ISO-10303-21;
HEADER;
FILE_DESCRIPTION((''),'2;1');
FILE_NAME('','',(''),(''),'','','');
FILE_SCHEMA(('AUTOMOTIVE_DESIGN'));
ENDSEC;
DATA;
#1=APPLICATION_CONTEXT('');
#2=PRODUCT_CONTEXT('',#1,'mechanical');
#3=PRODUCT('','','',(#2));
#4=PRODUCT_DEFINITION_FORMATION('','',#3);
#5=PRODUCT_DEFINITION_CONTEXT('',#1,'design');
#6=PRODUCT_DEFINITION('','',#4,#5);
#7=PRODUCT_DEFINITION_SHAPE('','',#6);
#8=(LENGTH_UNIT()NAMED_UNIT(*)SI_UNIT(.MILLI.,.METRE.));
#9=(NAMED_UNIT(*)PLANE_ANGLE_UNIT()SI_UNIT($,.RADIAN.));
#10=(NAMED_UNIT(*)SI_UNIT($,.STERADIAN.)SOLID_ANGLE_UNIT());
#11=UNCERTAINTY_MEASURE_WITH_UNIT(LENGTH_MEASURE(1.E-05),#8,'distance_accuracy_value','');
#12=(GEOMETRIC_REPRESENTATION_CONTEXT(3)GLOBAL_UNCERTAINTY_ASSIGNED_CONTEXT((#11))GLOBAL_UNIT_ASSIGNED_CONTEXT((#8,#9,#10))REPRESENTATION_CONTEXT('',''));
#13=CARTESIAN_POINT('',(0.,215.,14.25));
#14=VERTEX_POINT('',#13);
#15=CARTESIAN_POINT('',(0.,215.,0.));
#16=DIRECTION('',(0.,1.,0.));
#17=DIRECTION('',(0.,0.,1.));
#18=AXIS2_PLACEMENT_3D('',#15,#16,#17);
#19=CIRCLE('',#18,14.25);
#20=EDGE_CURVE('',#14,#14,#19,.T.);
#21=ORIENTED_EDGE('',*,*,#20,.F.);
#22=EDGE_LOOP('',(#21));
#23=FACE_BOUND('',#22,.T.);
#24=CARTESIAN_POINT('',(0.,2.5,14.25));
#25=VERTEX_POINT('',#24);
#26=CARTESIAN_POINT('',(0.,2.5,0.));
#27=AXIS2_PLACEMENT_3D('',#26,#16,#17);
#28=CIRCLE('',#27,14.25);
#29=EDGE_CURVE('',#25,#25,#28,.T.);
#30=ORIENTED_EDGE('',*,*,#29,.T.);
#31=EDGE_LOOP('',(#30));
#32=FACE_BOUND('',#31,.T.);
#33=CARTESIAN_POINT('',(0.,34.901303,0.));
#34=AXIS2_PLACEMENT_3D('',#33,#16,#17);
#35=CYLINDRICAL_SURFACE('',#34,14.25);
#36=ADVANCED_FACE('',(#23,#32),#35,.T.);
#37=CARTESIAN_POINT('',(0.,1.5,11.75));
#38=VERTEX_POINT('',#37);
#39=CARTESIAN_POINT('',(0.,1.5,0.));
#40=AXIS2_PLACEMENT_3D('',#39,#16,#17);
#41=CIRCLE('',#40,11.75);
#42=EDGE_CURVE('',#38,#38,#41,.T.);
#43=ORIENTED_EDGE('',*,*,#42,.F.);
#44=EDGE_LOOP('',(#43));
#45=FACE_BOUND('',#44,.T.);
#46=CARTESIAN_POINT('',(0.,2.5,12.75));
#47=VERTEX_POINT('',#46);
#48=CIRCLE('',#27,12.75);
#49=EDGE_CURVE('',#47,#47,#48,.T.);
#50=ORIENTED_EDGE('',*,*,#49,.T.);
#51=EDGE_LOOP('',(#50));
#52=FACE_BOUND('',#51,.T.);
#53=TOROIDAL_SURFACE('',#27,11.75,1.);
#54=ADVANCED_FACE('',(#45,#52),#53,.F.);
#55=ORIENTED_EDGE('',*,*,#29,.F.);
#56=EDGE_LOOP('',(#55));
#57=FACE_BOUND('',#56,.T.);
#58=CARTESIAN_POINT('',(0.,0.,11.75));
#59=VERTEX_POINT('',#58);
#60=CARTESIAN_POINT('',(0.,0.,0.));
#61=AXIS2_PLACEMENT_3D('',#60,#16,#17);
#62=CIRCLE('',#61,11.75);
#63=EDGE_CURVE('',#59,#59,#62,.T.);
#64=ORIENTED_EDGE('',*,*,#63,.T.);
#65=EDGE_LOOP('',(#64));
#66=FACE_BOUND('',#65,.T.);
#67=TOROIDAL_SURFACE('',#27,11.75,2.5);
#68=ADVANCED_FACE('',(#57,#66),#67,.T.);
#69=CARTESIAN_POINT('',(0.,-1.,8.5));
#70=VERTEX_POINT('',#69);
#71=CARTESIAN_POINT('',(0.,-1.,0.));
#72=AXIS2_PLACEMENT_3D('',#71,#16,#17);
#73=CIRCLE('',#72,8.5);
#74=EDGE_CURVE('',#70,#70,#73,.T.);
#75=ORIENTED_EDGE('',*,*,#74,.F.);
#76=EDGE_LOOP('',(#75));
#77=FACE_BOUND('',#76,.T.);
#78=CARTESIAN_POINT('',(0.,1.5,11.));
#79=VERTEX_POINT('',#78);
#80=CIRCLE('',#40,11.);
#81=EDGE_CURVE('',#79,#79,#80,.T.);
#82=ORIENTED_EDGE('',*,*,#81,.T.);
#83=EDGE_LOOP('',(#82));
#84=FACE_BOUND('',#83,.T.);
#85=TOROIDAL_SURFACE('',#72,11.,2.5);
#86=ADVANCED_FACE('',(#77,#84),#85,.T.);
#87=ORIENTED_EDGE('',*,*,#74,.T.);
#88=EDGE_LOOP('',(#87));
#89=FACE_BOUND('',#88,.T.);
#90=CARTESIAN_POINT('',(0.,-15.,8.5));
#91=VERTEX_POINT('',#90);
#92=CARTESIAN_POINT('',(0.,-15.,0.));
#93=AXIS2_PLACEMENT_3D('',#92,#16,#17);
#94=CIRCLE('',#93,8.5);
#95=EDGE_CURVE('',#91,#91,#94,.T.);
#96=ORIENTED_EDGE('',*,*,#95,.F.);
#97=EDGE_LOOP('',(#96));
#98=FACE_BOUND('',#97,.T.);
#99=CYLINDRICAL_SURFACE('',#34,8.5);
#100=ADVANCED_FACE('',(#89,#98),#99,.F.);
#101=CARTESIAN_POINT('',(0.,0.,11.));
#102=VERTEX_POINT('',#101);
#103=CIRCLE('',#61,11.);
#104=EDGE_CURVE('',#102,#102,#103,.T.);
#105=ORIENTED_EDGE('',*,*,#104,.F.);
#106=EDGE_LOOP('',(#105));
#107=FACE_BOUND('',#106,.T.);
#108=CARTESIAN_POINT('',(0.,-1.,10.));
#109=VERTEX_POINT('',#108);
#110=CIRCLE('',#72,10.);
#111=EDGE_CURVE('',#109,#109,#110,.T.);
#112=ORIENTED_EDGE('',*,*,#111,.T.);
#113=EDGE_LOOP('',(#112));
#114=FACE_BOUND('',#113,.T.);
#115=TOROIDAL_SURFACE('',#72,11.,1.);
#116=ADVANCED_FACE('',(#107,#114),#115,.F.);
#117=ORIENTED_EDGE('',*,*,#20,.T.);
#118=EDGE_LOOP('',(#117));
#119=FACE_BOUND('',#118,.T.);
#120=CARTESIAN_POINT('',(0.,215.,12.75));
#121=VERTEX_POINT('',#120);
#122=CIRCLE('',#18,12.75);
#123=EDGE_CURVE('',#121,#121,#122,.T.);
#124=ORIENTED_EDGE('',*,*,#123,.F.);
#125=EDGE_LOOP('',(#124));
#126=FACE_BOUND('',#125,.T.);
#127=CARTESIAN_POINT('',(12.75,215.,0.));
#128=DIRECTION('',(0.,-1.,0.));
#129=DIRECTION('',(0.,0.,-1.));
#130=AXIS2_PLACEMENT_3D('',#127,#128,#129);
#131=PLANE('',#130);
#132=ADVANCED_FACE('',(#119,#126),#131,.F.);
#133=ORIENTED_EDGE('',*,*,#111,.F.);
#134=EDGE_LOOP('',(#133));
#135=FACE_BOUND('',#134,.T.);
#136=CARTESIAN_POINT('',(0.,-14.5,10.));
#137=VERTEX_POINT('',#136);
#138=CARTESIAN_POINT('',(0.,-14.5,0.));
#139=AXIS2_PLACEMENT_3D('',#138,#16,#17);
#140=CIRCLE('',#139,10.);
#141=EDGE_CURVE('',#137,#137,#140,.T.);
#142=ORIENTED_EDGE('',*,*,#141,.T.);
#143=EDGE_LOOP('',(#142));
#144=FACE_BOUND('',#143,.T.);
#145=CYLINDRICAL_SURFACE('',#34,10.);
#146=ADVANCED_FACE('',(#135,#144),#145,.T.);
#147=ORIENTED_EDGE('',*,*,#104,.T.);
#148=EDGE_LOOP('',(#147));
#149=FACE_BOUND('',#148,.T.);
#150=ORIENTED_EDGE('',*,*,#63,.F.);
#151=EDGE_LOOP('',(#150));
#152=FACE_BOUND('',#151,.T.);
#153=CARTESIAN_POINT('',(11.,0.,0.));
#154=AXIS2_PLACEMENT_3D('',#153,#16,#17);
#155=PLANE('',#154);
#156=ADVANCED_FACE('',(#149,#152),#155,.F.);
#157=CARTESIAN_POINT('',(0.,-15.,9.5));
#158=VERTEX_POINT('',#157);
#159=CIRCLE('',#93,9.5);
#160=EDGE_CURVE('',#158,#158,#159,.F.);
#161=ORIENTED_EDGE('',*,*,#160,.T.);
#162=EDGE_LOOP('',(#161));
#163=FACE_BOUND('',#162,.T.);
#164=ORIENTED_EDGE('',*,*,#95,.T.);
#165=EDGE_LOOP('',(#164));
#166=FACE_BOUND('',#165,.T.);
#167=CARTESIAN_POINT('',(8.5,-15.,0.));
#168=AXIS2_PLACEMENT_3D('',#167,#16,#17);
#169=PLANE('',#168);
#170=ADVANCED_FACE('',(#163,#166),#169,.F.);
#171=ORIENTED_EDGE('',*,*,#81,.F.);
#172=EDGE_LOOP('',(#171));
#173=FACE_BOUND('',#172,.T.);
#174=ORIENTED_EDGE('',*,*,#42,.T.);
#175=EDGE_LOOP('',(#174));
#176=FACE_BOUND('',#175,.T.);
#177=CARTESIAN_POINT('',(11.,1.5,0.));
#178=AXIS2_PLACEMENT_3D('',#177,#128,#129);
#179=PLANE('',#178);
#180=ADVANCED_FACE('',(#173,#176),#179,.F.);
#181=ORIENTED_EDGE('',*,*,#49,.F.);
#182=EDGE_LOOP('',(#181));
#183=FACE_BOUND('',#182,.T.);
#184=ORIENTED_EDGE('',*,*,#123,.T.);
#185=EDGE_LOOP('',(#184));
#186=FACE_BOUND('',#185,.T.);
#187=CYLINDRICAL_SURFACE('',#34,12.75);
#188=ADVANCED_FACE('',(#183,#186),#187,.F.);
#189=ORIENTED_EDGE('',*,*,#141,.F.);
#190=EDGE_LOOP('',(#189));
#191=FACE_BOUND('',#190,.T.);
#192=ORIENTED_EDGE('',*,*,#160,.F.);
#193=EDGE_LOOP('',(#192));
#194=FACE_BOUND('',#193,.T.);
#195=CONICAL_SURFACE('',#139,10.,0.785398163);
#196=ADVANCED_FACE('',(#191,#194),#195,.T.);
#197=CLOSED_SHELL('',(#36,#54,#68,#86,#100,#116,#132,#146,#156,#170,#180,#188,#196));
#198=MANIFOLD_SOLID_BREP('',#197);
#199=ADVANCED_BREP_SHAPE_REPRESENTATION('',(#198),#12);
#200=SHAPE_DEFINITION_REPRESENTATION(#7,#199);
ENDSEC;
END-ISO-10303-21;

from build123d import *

# Parameters (mm, degrees)
CHANFREIN1_SIZE = 0.5


with BuildPart() as part:
    # Esquisse1 → Révolution1 (revolve)
    with BuildSketch(Plane.XY, mode=Mode.PRIVATE) as r_volution1_sk:
        with BuildLine():
            Line((8.5, -15), (8.5, -1))
            ThreePointArc((8.5, -1), (9.232233047, 0.767766953), (11, 1.5))
            Line((11, 1.5), (11.75, 1.5))
            ThreePointArc((11.75, 1.5), (12.457106781, 1.792893219), (12.75, 2.5))
            Line((12.75, 2.5), (12.75, 215))
            Line((12.75, 215), (14.25, 215))
            Line((14.25, 215), (14.25, 2.5))
            ThreePointArc((14.25, 2.5), (13.517766953, 0.732233047), (11.75, 0))
            Line((11.75, 0), (11, 0))
            ThreePointArc((11, 0), (10.292893219, -0.292893219), (10, -1))
            Line((10, -1), (10, -15))
            Line((10, -15), (8.5, -15))
        make_face()
    revolve(r_volution1_sk.sketch.rotate(Axis((0, 34.901303155, 0), (0, -1, 0)), 90), axis=Axis((0, 34.901303155, 0), (0, -1, 0)))  # turned: the seam where the file's is

    # Chanfrein1
    chanfrein1_edges = [part.edges().sort_by_distance(p)[0] for p in [
        (0, -15, -10),
    ]]
    chamfer(chanfrein1_edges, length=CHANFREIN1_SIZE)


solid = part.part
